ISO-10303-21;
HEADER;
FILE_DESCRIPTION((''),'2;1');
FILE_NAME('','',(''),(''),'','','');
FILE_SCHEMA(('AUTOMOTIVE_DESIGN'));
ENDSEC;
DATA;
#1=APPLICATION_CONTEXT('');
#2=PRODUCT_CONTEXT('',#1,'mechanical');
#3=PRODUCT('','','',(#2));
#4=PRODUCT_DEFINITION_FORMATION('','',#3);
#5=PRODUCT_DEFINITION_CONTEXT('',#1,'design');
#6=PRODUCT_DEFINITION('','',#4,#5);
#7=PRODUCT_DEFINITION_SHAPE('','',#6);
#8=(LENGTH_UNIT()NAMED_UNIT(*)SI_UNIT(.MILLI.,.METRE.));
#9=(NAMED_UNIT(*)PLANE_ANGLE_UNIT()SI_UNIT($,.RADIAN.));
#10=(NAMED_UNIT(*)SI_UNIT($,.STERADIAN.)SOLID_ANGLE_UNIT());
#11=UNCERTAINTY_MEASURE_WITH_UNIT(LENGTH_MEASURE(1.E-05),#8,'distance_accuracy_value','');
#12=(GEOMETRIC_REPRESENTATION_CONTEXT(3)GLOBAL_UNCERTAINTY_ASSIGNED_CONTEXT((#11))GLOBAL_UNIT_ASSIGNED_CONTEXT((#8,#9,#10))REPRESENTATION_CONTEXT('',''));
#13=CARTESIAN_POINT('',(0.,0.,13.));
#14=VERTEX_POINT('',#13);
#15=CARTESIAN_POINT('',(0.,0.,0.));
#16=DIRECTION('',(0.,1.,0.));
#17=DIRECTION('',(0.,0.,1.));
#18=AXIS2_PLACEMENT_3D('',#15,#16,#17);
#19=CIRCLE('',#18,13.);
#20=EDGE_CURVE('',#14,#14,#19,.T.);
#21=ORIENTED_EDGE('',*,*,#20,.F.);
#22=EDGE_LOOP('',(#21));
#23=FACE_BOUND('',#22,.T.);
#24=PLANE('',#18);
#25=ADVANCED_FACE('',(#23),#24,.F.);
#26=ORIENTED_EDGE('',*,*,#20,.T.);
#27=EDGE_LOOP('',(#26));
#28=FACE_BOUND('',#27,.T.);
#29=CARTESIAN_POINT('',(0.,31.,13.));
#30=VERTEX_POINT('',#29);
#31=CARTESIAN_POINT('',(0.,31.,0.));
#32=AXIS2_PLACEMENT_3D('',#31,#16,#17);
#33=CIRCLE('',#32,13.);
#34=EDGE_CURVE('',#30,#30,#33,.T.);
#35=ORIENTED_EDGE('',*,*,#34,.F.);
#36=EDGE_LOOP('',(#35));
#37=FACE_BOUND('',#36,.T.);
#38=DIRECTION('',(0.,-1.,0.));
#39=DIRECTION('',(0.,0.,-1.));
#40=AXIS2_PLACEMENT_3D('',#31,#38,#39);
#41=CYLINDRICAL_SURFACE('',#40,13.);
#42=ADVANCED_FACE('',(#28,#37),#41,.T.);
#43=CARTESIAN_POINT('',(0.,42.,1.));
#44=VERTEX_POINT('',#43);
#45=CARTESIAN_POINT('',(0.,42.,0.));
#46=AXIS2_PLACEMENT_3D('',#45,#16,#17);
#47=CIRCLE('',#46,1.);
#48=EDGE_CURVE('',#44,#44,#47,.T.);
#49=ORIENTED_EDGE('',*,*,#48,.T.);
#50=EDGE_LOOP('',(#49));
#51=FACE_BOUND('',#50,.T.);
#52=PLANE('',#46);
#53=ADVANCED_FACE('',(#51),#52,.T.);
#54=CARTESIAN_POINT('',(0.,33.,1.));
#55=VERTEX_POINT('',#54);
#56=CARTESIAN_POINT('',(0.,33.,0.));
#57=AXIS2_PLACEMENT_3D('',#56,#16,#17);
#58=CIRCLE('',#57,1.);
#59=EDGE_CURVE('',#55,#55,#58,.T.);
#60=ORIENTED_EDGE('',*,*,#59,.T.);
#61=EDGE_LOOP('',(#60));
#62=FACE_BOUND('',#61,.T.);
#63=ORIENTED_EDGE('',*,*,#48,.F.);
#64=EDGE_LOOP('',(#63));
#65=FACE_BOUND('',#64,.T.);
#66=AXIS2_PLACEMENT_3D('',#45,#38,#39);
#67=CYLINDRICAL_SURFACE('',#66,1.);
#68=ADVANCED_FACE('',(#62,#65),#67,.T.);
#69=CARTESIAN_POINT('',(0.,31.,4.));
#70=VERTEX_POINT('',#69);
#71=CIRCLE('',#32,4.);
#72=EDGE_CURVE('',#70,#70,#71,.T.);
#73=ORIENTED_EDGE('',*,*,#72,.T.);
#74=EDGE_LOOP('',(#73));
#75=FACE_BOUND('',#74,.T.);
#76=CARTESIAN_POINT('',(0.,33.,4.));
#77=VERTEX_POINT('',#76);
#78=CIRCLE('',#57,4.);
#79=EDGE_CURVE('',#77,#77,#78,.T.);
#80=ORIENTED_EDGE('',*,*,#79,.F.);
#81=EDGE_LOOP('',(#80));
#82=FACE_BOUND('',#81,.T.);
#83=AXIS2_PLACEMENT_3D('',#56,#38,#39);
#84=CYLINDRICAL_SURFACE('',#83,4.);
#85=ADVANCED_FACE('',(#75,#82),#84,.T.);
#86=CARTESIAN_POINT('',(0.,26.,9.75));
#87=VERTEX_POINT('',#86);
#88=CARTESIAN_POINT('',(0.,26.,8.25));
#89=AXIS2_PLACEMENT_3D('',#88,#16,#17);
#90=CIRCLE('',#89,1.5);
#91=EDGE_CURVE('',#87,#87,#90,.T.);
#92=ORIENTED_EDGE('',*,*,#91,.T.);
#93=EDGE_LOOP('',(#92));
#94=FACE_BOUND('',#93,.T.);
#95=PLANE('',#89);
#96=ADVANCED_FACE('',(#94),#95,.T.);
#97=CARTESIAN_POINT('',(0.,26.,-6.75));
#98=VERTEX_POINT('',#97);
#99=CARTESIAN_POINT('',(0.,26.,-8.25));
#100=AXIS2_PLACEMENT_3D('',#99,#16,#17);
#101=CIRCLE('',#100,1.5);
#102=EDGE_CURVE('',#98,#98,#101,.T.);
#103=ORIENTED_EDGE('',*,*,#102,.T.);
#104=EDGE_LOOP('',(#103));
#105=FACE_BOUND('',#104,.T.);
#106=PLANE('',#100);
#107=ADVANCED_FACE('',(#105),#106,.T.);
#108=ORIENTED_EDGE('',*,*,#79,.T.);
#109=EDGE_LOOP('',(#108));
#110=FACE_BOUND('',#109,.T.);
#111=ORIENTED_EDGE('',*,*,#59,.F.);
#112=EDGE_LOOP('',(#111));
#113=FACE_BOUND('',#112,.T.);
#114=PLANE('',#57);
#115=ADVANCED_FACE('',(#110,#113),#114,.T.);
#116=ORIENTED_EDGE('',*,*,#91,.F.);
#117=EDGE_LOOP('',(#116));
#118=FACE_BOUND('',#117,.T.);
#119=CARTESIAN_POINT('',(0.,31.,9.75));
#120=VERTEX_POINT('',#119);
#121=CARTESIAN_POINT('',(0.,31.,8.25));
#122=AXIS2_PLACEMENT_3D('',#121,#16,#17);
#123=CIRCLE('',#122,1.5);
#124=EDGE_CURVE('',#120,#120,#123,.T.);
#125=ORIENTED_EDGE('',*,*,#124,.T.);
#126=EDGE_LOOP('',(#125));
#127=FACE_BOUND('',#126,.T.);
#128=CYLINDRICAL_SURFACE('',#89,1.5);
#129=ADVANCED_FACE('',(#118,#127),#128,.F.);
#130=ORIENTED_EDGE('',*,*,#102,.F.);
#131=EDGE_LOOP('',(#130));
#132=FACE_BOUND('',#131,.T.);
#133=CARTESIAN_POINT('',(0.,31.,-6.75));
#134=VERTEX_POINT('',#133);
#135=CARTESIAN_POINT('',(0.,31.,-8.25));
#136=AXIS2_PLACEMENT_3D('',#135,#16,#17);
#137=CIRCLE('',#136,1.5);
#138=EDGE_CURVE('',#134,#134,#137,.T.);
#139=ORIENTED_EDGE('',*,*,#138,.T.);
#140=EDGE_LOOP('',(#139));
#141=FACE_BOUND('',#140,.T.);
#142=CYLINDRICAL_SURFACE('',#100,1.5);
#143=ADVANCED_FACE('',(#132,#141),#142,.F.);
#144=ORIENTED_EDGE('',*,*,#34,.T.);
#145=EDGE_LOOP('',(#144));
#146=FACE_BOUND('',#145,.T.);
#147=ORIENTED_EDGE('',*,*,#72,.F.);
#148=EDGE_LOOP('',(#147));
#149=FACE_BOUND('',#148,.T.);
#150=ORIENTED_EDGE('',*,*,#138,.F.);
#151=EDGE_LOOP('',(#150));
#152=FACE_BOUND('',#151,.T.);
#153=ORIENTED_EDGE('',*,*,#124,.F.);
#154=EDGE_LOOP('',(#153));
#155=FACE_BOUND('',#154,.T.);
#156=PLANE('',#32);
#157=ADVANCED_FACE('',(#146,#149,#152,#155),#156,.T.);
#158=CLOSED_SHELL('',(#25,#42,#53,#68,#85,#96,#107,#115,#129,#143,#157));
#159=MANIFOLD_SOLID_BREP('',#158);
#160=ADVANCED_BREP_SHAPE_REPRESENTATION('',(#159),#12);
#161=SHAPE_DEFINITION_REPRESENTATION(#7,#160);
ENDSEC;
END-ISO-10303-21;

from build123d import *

# Parameters (mm, degrees)
SKETCH1_R           = 13
BOSS_EXTRUDE1_DEPTH = 31
SKETCH2_R           = 4
BOSS_EXTRUDE2_DEPTH = 2
SKETCH3_R           = 1
BOSS_EXTRUDE3_DEPTH = 9
SKETCH4_R           = 1.5
CUT_EXTRUDE1_DEPTH  = 5


with BuildPart() as part:
    # Sketch1 → Boss-Extrude1 (new body)
    with BuildSketch(Plane(origin=(0, 0, 0), x_dir=(1, 0, 0), z_dir=(0, 1, 0))):
        with Locations(Location((0, 0, 0), (0, 0, 270))):
            Circle(SKETCH1_R)
    extrude(amount=BOSS_EXTRUDE1_DEPTH)

    # Sketch2 → Boss-Extrude2 (add)
    with BuildSketch(Plane(origin=(0, 31, 0), x_dir=(1, 0, 0), z_dir=(0, 1, 0))):
        with Locations(Location((0, 0, 0), (0, 0, 270))):
            Circle(SKETCH2_R)
    extrude(amount=BOSS_EXTRUDE2_DEPTH)

    # Sketch3 → Boss-Extrude3 (add)
    with BuildSketch(Plane(origin=(0, 33, 0), x_dir=(1, 0, 0), z_dir=(0, 1, 0))):
        with Locations(Location((0, 0, 0), (0, 0, 270))):
            Circle(SKETCH3_R)
    extrude(amount=BOSS_EXTRUDE3_DEPTH)

    # Sketch4 → Cut-Extrude1 (cut)
    with BuildSketch(Plane(origin=(0, 31, 0), x_dir=(1, 0, 0), z_dir=(0, 1, 0))):
        with Locations(Location((0, -8.25, 0), (0, 0, 270))):
            Circle(SKETCH4_R)
        with Locations(Location((0, 8.25, 0), (0, 0, 270))):
            Circle(SKETCH4_R)
    extrude(amount=-CUT_EXTRUDE1_DEPTH, mode=Mode.SUBTRACT)


solid = part.part
